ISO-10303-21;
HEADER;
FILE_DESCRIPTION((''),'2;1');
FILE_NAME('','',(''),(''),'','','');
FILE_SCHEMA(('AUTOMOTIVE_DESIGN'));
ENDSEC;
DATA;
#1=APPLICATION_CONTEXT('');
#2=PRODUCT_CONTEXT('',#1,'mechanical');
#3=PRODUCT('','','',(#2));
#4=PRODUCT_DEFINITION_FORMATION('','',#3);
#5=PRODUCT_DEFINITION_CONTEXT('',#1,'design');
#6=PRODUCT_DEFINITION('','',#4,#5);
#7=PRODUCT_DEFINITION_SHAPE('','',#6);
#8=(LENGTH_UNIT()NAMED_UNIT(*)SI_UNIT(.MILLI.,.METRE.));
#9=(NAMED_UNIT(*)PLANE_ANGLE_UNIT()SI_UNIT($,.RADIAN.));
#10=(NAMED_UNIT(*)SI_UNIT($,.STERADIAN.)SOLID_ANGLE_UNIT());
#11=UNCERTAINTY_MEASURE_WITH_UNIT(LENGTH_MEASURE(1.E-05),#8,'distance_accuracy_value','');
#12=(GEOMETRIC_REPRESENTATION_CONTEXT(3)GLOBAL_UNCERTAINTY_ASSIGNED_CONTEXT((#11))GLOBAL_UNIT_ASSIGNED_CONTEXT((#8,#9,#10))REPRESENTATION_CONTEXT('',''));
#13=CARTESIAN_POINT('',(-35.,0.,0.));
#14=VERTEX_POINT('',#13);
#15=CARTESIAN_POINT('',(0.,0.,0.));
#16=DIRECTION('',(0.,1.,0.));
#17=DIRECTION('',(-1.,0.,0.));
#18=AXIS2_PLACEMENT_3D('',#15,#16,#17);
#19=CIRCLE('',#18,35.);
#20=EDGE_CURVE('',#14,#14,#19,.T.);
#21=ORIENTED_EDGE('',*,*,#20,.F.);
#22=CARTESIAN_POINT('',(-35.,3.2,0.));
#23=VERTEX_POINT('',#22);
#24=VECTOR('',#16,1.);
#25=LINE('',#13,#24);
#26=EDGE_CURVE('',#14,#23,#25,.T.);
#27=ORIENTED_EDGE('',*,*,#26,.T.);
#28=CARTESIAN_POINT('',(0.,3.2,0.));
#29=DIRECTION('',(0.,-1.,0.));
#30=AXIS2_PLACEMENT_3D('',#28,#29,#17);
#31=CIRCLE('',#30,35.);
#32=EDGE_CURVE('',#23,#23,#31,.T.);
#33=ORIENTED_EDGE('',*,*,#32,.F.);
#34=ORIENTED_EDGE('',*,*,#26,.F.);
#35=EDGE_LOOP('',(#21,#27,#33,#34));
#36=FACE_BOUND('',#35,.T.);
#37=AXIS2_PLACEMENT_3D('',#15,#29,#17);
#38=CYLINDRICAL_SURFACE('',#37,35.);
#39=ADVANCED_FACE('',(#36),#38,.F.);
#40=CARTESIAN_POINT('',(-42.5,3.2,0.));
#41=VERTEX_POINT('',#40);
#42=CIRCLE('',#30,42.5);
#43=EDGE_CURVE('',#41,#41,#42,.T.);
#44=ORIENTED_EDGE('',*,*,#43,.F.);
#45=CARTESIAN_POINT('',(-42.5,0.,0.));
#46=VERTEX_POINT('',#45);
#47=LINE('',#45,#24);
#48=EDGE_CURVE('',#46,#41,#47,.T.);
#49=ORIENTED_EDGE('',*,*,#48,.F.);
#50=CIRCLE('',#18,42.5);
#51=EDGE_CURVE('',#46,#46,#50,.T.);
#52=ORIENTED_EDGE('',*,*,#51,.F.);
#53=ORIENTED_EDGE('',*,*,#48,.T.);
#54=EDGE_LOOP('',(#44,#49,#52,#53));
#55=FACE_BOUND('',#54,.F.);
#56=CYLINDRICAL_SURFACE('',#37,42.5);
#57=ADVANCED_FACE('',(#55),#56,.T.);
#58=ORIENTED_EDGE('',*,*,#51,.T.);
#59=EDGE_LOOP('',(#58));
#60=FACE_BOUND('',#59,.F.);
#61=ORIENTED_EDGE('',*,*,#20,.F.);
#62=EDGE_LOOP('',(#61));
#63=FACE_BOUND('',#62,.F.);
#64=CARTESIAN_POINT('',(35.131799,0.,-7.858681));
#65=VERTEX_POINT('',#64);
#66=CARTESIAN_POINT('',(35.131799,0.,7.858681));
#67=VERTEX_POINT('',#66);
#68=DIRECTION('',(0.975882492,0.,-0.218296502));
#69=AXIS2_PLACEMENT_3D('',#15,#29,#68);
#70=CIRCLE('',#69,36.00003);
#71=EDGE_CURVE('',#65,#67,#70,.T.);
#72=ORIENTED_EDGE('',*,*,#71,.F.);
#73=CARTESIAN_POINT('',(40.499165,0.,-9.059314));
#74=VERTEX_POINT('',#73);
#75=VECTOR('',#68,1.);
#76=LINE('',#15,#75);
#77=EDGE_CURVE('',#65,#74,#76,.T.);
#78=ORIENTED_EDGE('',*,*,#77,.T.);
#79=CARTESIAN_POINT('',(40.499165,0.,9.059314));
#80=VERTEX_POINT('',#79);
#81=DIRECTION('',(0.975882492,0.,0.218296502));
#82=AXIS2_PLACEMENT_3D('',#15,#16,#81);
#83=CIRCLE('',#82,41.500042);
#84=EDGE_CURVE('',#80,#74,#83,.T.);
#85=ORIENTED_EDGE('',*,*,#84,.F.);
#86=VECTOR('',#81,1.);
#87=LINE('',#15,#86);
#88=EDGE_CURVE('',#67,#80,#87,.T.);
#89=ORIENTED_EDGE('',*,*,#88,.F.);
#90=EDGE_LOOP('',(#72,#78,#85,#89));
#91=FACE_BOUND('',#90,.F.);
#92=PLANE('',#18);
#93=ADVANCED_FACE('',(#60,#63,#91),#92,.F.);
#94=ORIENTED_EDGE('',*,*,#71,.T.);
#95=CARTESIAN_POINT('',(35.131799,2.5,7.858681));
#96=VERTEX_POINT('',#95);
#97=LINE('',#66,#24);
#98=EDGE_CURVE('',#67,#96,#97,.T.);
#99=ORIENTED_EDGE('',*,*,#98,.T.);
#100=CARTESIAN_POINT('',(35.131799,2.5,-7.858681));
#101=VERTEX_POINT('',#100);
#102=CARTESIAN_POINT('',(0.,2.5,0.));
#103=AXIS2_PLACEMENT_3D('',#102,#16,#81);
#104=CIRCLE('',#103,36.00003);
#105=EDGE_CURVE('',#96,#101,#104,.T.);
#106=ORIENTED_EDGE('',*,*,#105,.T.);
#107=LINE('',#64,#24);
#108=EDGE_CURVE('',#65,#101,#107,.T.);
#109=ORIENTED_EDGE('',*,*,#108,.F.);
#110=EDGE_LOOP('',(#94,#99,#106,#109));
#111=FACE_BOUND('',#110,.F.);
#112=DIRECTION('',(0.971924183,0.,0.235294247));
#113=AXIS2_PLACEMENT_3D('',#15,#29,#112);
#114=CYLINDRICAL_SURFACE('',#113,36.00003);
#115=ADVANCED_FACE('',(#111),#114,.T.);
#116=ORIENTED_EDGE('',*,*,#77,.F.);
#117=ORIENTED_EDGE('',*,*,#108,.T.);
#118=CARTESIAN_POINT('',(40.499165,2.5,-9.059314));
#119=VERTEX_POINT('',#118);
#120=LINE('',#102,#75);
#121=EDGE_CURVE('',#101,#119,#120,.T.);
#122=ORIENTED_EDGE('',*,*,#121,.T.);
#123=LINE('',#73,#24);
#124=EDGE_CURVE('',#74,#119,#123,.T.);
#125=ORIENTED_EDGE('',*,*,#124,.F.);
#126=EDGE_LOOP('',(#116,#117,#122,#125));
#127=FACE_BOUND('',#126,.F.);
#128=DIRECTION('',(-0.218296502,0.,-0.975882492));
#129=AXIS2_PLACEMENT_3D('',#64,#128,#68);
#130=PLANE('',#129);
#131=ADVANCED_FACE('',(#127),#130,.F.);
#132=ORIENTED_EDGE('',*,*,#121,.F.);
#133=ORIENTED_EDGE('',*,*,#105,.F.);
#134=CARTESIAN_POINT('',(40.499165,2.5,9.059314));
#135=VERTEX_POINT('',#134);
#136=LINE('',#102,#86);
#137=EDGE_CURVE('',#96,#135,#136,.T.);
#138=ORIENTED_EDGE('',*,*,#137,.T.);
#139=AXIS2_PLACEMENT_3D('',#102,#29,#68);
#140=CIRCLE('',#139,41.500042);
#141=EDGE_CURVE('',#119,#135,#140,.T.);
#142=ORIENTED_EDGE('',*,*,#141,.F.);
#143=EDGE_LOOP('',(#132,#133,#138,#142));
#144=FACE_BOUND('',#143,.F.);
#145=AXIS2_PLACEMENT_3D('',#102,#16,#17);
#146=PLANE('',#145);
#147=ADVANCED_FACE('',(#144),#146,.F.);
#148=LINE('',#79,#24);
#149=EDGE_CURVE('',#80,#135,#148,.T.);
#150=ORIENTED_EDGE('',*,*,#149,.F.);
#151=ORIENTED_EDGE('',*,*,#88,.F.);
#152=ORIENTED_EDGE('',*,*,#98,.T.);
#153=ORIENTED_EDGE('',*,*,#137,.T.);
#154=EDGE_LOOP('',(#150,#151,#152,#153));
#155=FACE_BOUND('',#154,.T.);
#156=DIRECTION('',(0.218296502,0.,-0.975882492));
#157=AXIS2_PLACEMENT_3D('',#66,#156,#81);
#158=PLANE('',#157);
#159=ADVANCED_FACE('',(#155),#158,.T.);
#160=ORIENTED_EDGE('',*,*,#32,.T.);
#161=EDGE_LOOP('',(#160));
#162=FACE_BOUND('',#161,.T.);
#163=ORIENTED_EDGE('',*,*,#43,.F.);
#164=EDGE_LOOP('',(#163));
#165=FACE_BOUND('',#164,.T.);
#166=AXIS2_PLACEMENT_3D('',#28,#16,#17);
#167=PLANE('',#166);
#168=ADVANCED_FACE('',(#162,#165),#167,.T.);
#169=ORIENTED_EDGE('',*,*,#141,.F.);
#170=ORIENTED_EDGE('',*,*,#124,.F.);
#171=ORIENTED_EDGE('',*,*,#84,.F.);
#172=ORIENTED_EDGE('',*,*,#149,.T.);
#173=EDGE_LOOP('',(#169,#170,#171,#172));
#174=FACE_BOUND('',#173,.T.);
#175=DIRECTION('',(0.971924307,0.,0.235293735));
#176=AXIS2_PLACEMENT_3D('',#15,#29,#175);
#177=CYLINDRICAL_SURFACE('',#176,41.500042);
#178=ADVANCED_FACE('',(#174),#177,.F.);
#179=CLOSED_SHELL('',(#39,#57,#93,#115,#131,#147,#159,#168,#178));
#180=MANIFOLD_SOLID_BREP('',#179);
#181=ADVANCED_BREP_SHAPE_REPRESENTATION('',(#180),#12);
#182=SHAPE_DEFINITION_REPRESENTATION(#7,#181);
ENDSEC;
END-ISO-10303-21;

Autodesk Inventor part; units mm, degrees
ref_plane "YZ Plane" through (0, 0, 0) normal (1, 0, 0) x (0, 1, 0)
ref_plane "XZ Plane" through (0, 0, 0) normal (0, 1, 0) x (-1, 0, 0)
ref_plane "XY Plane" through (0, 0, 0) normal (0, 0, 1) x (1, 0, 0)
sketch "Sketch1" plane through (0, 0, 0) normal (0, 1, 0) x (-1, 0, 0)
  circle A0 centre (0, 0) radius 42.5
  circle A1 centre (0, 0) radius 35
  line L0 (0, 0) -> (-41.3068, 10)
  line L1 (0, 0) -> (-41.3068, -10)
  line L2 (0, 0) -> (-42.5, 0)
  line L3 (-28.5133, 6.9028) -> (-28.5133, -6.9028)
  arc A2 (-34.9893, 8.4706) -> (-34.9893, -8.4706) centre (0, 0) ccw
  arc A3 (-40.3349, 9.7647) -> (-40.3349, -9.7647) centre (0, 0) ccw
  line L4 (0, 0) -> (-41.475, 9.2776)
  line L5 (0, 0) -> (-41.475, -9.2776)
  point P0 (-28.5133, 0)
  point P1 (-40.4991, -9.0593)
  point P2 (-35.1318, -7.8587)
  point P3 (-35.1318, 7.8587)
  point P4 (-40.4991, 9.0593)
  dimension "d0" = 85
  dimension "d1" = 70
  dimension "d2" = 20
  dimension "d4" = 1
  dimension "d5" = 1
  dimension "d6" = 1
  dimension "d7" = 1
extrude "Extrusion1" add sketch "Sketch1" along normal blind 3.2 contours A0 L1 A1 L0 | L0 A3 L4 A0 | A0 L5 A3 L1 | L4 A3 L2 A0 | L0 A2 L4 A3 | A0 L2 A3 L5 | A3 L5 A2 L1 | L4 A2 L2 A3 | L0 A1 L4 A2 | A3 L2 A2 L5 | A2 L5 A1 L1 | L4 A1 L2 A2 | A2 L2 A1 L5
extrude "Extrusion2" cut sketch "Sketch1" along normal blind 2.5 contours L4 A2 L2 A3 | A3 L2 A2 L5
properties part number "NeoPixel-24"
